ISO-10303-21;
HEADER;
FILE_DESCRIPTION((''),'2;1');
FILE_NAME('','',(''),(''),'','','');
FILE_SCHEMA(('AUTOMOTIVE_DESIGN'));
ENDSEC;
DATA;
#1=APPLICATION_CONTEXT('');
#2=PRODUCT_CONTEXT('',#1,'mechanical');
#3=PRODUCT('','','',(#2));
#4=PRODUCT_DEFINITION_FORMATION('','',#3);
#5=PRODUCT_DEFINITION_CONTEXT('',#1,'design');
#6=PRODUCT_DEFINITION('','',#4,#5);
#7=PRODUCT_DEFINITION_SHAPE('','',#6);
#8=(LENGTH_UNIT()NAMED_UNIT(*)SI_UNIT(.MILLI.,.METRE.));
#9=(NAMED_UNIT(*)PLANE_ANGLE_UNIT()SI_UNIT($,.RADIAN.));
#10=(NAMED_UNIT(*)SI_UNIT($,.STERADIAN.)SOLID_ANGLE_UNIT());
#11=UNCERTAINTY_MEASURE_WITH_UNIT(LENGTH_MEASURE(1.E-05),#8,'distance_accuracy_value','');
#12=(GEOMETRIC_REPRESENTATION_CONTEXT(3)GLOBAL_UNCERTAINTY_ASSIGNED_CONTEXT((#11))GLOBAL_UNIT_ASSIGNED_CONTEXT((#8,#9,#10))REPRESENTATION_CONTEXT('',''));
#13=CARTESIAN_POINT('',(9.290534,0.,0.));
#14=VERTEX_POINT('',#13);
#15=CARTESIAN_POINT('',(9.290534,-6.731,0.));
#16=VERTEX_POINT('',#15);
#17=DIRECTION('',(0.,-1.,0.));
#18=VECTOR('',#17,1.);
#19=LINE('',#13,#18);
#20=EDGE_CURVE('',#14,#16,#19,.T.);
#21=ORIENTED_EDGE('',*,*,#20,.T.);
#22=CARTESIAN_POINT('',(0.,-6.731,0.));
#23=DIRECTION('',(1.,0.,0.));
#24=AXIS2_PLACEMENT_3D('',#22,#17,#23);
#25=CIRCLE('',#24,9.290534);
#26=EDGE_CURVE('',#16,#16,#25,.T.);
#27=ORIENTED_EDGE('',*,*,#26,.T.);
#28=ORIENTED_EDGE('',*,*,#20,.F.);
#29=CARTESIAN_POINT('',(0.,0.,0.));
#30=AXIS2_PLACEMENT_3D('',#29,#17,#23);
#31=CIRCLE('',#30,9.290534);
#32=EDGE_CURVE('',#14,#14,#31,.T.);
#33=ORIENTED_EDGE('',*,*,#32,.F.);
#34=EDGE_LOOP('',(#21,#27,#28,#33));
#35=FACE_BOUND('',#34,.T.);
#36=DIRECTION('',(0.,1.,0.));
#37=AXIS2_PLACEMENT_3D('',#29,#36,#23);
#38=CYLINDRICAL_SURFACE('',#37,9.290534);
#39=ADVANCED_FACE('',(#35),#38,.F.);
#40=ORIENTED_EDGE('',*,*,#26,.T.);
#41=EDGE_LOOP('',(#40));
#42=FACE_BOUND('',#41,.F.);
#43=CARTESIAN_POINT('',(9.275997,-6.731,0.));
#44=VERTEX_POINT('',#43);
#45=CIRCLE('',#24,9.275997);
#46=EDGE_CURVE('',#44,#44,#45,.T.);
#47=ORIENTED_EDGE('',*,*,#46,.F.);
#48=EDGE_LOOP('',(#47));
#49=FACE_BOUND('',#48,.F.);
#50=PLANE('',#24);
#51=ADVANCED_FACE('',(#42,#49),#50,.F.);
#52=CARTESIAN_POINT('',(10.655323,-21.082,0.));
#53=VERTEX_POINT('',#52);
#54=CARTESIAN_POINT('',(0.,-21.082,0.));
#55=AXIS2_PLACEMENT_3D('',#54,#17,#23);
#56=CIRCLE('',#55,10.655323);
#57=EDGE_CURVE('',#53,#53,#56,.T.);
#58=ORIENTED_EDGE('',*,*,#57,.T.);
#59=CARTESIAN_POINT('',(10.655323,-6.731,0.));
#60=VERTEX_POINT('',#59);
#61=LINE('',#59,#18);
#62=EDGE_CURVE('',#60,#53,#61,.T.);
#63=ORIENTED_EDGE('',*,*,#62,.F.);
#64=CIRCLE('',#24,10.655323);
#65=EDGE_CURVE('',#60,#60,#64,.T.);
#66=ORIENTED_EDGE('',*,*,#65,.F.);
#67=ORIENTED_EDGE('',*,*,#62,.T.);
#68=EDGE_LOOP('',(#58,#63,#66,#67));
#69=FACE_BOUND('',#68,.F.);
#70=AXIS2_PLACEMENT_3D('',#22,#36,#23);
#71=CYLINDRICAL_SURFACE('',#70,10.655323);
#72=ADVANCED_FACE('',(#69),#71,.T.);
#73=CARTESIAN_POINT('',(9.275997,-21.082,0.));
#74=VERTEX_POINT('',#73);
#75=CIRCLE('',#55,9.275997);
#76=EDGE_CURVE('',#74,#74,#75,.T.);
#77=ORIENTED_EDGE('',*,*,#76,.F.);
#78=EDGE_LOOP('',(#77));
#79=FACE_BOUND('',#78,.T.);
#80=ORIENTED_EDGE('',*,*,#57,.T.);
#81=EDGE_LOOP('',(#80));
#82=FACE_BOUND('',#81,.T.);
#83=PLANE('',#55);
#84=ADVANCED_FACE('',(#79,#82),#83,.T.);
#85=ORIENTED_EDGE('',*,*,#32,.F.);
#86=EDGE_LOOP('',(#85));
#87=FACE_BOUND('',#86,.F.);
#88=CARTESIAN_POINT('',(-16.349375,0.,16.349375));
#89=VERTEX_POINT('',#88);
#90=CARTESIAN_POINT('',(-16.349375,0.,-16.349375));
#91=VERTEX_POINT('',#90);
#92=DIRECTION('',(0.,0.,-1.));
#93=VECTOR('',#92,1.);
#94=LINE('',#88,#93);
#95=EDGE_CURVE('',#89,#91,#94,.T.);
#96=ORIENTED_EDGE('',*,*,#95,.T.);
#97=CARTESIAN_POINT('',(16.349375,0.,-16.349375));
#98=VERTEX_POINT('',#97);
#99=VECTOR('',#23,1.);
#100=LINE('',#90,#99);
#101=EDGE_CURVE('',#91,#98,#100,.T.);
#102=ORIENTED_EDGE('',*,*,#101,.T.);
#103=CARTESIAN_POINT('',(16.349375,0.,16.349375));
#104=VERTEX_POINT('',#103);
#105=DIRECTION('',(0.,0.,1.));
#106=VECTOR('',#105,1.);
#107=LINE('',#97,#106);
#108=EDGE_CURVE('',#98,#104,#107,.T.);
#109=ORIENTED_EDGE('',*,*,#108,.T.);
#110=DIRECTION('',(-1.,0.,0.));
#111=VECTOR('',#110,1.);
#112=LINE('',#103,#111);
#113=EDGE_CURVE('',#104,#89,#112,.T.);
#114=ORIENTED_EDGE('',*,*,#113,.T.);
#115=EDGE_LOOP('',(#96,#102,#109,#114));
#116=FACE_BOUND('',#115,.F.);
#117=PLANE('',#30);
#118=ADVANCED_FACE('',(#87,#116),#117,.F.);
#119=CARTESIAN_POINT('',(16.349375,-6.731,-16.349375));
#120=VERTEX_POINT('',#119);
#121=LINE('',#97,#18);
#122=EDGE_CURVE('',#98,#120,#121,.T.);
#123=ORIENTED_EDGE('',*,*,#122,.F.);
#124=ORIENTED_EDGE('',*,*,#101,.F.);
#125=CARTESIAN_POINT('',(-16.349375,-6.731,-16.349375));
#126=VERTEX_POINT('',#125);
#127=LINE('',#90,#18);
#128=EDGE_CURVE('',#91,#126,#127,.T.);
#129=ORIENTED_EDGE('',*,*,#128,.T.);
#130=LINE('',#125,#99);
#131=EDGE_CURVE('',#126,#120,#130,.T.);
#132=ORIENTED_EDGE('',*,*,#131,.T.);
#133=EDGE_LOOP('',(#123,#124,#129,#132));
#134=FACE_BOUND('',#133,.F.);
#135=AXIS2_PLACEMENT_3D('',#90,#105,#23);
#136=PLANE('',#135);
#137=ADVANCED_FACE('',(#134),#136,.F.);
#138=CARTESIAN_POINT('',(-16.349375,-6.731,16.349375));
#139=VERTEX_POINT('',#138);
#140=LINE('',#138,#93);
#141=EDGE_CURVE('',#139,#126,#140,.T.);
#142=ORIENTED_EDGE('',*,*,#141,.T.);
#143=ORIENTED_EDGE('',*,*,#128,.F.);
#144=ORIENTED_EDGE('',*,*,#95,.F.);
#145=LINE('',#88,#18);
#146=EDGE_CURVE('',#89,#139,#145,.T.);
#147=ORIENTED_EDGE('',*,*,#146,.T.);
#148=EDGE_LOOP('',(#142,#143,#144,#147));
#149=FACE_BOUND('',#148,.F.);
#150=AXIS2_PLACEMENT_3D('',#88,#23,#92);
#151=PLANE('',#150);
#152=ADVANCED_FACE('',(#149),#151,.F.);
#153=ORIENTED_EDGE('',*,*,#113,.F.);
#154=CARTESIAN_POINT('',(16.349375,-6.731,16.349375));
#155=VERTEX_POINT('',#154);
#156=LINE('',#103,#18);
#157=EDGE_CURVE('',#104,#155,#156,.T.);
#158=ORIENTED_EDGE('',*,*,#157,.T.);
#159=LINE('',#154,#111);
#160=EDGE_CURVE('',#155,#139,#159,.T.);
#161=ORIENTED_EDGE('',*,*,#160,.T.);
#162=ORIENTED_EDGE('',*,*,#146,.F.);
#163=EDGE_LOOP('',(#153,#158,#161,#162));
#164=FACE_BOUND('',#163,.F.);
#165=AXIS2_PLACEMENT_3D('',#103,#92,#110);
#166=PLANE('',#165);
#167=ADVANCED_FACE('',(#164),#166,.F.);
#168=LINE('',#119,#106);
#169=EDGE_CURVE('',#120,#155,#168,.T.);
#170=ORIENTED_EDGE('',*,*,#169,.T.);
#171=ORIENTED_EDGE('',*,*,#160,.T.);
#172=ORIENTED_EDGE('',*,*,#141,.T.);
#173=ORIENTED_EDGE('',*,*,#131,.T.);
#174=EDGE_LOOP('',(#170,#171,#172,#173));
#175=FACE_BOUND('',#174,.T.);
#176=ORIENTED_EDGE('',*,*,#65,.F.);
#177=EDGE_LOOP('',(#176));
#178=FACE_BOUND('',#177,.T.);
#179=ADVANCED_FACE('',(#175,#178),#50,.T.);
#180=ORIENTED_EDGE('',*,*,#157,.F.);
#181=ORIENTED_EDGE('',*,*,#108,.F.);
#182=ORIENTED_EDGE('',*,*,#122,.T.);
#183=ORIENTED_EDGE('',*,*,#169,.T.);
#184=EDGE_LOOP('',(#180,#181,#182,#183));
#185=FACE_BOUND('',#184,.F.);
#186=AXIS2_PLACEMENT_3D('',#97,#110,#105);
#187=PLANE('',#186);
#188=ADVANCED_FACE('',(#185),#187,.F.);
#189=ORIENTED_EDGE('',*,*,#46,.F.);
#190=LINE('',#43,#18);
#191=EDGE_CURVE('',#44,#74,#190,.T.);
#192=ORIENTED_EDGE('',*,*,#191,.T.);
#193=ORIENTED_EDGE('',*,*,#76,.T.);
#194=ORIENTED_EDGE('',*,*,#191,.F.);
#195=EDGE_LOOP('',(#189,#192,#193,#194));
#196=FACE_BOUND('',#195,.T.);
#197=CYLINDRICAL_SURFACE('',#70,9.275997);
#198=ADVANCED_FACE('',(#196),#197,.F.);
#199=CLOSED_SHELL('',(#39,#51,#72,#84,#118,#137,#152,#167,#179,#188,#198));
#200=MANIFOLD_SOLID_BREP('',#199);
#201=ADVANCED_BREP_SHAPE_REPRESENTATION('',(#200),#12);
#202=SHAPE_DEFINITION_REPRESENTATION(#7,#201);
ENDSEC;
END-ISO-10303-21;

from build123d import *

# Parameters (mm, degrees)
F0_R     = 9.290534
F1_DEPTH = 6.731
F2_R     = 10.655323
F2_R_2   = 9.275997
F3_DEPTH = 14.351


with BuildPart() as f1:
    # F0 (on Front) → F1 (new body)
    with BuildSketch(Plane.XZ):
        Polygon((-16.349375, 16.349375), (-16.349375, 0), (-16.349375, -16.349375), (0, -16.349375), (16.349375, -16.349375), (16.349375, 0), (16.349375, 16.349375), (0, 16.349375), align=None)
        Circle(F0_R, mode=Mode.SUBTRACT)
    extrude(amount=F1_DEPTH)

    # F2 (on face) → F3 (join)
    with BuildSketch(Plane.XZ.offset(6.731)):
        Circle(F2_R)
        Circle(F2_R_2, mode=Mode.SUBTRACT)
    extrude(amount=F3_DEPTH)


solid = f1.part
